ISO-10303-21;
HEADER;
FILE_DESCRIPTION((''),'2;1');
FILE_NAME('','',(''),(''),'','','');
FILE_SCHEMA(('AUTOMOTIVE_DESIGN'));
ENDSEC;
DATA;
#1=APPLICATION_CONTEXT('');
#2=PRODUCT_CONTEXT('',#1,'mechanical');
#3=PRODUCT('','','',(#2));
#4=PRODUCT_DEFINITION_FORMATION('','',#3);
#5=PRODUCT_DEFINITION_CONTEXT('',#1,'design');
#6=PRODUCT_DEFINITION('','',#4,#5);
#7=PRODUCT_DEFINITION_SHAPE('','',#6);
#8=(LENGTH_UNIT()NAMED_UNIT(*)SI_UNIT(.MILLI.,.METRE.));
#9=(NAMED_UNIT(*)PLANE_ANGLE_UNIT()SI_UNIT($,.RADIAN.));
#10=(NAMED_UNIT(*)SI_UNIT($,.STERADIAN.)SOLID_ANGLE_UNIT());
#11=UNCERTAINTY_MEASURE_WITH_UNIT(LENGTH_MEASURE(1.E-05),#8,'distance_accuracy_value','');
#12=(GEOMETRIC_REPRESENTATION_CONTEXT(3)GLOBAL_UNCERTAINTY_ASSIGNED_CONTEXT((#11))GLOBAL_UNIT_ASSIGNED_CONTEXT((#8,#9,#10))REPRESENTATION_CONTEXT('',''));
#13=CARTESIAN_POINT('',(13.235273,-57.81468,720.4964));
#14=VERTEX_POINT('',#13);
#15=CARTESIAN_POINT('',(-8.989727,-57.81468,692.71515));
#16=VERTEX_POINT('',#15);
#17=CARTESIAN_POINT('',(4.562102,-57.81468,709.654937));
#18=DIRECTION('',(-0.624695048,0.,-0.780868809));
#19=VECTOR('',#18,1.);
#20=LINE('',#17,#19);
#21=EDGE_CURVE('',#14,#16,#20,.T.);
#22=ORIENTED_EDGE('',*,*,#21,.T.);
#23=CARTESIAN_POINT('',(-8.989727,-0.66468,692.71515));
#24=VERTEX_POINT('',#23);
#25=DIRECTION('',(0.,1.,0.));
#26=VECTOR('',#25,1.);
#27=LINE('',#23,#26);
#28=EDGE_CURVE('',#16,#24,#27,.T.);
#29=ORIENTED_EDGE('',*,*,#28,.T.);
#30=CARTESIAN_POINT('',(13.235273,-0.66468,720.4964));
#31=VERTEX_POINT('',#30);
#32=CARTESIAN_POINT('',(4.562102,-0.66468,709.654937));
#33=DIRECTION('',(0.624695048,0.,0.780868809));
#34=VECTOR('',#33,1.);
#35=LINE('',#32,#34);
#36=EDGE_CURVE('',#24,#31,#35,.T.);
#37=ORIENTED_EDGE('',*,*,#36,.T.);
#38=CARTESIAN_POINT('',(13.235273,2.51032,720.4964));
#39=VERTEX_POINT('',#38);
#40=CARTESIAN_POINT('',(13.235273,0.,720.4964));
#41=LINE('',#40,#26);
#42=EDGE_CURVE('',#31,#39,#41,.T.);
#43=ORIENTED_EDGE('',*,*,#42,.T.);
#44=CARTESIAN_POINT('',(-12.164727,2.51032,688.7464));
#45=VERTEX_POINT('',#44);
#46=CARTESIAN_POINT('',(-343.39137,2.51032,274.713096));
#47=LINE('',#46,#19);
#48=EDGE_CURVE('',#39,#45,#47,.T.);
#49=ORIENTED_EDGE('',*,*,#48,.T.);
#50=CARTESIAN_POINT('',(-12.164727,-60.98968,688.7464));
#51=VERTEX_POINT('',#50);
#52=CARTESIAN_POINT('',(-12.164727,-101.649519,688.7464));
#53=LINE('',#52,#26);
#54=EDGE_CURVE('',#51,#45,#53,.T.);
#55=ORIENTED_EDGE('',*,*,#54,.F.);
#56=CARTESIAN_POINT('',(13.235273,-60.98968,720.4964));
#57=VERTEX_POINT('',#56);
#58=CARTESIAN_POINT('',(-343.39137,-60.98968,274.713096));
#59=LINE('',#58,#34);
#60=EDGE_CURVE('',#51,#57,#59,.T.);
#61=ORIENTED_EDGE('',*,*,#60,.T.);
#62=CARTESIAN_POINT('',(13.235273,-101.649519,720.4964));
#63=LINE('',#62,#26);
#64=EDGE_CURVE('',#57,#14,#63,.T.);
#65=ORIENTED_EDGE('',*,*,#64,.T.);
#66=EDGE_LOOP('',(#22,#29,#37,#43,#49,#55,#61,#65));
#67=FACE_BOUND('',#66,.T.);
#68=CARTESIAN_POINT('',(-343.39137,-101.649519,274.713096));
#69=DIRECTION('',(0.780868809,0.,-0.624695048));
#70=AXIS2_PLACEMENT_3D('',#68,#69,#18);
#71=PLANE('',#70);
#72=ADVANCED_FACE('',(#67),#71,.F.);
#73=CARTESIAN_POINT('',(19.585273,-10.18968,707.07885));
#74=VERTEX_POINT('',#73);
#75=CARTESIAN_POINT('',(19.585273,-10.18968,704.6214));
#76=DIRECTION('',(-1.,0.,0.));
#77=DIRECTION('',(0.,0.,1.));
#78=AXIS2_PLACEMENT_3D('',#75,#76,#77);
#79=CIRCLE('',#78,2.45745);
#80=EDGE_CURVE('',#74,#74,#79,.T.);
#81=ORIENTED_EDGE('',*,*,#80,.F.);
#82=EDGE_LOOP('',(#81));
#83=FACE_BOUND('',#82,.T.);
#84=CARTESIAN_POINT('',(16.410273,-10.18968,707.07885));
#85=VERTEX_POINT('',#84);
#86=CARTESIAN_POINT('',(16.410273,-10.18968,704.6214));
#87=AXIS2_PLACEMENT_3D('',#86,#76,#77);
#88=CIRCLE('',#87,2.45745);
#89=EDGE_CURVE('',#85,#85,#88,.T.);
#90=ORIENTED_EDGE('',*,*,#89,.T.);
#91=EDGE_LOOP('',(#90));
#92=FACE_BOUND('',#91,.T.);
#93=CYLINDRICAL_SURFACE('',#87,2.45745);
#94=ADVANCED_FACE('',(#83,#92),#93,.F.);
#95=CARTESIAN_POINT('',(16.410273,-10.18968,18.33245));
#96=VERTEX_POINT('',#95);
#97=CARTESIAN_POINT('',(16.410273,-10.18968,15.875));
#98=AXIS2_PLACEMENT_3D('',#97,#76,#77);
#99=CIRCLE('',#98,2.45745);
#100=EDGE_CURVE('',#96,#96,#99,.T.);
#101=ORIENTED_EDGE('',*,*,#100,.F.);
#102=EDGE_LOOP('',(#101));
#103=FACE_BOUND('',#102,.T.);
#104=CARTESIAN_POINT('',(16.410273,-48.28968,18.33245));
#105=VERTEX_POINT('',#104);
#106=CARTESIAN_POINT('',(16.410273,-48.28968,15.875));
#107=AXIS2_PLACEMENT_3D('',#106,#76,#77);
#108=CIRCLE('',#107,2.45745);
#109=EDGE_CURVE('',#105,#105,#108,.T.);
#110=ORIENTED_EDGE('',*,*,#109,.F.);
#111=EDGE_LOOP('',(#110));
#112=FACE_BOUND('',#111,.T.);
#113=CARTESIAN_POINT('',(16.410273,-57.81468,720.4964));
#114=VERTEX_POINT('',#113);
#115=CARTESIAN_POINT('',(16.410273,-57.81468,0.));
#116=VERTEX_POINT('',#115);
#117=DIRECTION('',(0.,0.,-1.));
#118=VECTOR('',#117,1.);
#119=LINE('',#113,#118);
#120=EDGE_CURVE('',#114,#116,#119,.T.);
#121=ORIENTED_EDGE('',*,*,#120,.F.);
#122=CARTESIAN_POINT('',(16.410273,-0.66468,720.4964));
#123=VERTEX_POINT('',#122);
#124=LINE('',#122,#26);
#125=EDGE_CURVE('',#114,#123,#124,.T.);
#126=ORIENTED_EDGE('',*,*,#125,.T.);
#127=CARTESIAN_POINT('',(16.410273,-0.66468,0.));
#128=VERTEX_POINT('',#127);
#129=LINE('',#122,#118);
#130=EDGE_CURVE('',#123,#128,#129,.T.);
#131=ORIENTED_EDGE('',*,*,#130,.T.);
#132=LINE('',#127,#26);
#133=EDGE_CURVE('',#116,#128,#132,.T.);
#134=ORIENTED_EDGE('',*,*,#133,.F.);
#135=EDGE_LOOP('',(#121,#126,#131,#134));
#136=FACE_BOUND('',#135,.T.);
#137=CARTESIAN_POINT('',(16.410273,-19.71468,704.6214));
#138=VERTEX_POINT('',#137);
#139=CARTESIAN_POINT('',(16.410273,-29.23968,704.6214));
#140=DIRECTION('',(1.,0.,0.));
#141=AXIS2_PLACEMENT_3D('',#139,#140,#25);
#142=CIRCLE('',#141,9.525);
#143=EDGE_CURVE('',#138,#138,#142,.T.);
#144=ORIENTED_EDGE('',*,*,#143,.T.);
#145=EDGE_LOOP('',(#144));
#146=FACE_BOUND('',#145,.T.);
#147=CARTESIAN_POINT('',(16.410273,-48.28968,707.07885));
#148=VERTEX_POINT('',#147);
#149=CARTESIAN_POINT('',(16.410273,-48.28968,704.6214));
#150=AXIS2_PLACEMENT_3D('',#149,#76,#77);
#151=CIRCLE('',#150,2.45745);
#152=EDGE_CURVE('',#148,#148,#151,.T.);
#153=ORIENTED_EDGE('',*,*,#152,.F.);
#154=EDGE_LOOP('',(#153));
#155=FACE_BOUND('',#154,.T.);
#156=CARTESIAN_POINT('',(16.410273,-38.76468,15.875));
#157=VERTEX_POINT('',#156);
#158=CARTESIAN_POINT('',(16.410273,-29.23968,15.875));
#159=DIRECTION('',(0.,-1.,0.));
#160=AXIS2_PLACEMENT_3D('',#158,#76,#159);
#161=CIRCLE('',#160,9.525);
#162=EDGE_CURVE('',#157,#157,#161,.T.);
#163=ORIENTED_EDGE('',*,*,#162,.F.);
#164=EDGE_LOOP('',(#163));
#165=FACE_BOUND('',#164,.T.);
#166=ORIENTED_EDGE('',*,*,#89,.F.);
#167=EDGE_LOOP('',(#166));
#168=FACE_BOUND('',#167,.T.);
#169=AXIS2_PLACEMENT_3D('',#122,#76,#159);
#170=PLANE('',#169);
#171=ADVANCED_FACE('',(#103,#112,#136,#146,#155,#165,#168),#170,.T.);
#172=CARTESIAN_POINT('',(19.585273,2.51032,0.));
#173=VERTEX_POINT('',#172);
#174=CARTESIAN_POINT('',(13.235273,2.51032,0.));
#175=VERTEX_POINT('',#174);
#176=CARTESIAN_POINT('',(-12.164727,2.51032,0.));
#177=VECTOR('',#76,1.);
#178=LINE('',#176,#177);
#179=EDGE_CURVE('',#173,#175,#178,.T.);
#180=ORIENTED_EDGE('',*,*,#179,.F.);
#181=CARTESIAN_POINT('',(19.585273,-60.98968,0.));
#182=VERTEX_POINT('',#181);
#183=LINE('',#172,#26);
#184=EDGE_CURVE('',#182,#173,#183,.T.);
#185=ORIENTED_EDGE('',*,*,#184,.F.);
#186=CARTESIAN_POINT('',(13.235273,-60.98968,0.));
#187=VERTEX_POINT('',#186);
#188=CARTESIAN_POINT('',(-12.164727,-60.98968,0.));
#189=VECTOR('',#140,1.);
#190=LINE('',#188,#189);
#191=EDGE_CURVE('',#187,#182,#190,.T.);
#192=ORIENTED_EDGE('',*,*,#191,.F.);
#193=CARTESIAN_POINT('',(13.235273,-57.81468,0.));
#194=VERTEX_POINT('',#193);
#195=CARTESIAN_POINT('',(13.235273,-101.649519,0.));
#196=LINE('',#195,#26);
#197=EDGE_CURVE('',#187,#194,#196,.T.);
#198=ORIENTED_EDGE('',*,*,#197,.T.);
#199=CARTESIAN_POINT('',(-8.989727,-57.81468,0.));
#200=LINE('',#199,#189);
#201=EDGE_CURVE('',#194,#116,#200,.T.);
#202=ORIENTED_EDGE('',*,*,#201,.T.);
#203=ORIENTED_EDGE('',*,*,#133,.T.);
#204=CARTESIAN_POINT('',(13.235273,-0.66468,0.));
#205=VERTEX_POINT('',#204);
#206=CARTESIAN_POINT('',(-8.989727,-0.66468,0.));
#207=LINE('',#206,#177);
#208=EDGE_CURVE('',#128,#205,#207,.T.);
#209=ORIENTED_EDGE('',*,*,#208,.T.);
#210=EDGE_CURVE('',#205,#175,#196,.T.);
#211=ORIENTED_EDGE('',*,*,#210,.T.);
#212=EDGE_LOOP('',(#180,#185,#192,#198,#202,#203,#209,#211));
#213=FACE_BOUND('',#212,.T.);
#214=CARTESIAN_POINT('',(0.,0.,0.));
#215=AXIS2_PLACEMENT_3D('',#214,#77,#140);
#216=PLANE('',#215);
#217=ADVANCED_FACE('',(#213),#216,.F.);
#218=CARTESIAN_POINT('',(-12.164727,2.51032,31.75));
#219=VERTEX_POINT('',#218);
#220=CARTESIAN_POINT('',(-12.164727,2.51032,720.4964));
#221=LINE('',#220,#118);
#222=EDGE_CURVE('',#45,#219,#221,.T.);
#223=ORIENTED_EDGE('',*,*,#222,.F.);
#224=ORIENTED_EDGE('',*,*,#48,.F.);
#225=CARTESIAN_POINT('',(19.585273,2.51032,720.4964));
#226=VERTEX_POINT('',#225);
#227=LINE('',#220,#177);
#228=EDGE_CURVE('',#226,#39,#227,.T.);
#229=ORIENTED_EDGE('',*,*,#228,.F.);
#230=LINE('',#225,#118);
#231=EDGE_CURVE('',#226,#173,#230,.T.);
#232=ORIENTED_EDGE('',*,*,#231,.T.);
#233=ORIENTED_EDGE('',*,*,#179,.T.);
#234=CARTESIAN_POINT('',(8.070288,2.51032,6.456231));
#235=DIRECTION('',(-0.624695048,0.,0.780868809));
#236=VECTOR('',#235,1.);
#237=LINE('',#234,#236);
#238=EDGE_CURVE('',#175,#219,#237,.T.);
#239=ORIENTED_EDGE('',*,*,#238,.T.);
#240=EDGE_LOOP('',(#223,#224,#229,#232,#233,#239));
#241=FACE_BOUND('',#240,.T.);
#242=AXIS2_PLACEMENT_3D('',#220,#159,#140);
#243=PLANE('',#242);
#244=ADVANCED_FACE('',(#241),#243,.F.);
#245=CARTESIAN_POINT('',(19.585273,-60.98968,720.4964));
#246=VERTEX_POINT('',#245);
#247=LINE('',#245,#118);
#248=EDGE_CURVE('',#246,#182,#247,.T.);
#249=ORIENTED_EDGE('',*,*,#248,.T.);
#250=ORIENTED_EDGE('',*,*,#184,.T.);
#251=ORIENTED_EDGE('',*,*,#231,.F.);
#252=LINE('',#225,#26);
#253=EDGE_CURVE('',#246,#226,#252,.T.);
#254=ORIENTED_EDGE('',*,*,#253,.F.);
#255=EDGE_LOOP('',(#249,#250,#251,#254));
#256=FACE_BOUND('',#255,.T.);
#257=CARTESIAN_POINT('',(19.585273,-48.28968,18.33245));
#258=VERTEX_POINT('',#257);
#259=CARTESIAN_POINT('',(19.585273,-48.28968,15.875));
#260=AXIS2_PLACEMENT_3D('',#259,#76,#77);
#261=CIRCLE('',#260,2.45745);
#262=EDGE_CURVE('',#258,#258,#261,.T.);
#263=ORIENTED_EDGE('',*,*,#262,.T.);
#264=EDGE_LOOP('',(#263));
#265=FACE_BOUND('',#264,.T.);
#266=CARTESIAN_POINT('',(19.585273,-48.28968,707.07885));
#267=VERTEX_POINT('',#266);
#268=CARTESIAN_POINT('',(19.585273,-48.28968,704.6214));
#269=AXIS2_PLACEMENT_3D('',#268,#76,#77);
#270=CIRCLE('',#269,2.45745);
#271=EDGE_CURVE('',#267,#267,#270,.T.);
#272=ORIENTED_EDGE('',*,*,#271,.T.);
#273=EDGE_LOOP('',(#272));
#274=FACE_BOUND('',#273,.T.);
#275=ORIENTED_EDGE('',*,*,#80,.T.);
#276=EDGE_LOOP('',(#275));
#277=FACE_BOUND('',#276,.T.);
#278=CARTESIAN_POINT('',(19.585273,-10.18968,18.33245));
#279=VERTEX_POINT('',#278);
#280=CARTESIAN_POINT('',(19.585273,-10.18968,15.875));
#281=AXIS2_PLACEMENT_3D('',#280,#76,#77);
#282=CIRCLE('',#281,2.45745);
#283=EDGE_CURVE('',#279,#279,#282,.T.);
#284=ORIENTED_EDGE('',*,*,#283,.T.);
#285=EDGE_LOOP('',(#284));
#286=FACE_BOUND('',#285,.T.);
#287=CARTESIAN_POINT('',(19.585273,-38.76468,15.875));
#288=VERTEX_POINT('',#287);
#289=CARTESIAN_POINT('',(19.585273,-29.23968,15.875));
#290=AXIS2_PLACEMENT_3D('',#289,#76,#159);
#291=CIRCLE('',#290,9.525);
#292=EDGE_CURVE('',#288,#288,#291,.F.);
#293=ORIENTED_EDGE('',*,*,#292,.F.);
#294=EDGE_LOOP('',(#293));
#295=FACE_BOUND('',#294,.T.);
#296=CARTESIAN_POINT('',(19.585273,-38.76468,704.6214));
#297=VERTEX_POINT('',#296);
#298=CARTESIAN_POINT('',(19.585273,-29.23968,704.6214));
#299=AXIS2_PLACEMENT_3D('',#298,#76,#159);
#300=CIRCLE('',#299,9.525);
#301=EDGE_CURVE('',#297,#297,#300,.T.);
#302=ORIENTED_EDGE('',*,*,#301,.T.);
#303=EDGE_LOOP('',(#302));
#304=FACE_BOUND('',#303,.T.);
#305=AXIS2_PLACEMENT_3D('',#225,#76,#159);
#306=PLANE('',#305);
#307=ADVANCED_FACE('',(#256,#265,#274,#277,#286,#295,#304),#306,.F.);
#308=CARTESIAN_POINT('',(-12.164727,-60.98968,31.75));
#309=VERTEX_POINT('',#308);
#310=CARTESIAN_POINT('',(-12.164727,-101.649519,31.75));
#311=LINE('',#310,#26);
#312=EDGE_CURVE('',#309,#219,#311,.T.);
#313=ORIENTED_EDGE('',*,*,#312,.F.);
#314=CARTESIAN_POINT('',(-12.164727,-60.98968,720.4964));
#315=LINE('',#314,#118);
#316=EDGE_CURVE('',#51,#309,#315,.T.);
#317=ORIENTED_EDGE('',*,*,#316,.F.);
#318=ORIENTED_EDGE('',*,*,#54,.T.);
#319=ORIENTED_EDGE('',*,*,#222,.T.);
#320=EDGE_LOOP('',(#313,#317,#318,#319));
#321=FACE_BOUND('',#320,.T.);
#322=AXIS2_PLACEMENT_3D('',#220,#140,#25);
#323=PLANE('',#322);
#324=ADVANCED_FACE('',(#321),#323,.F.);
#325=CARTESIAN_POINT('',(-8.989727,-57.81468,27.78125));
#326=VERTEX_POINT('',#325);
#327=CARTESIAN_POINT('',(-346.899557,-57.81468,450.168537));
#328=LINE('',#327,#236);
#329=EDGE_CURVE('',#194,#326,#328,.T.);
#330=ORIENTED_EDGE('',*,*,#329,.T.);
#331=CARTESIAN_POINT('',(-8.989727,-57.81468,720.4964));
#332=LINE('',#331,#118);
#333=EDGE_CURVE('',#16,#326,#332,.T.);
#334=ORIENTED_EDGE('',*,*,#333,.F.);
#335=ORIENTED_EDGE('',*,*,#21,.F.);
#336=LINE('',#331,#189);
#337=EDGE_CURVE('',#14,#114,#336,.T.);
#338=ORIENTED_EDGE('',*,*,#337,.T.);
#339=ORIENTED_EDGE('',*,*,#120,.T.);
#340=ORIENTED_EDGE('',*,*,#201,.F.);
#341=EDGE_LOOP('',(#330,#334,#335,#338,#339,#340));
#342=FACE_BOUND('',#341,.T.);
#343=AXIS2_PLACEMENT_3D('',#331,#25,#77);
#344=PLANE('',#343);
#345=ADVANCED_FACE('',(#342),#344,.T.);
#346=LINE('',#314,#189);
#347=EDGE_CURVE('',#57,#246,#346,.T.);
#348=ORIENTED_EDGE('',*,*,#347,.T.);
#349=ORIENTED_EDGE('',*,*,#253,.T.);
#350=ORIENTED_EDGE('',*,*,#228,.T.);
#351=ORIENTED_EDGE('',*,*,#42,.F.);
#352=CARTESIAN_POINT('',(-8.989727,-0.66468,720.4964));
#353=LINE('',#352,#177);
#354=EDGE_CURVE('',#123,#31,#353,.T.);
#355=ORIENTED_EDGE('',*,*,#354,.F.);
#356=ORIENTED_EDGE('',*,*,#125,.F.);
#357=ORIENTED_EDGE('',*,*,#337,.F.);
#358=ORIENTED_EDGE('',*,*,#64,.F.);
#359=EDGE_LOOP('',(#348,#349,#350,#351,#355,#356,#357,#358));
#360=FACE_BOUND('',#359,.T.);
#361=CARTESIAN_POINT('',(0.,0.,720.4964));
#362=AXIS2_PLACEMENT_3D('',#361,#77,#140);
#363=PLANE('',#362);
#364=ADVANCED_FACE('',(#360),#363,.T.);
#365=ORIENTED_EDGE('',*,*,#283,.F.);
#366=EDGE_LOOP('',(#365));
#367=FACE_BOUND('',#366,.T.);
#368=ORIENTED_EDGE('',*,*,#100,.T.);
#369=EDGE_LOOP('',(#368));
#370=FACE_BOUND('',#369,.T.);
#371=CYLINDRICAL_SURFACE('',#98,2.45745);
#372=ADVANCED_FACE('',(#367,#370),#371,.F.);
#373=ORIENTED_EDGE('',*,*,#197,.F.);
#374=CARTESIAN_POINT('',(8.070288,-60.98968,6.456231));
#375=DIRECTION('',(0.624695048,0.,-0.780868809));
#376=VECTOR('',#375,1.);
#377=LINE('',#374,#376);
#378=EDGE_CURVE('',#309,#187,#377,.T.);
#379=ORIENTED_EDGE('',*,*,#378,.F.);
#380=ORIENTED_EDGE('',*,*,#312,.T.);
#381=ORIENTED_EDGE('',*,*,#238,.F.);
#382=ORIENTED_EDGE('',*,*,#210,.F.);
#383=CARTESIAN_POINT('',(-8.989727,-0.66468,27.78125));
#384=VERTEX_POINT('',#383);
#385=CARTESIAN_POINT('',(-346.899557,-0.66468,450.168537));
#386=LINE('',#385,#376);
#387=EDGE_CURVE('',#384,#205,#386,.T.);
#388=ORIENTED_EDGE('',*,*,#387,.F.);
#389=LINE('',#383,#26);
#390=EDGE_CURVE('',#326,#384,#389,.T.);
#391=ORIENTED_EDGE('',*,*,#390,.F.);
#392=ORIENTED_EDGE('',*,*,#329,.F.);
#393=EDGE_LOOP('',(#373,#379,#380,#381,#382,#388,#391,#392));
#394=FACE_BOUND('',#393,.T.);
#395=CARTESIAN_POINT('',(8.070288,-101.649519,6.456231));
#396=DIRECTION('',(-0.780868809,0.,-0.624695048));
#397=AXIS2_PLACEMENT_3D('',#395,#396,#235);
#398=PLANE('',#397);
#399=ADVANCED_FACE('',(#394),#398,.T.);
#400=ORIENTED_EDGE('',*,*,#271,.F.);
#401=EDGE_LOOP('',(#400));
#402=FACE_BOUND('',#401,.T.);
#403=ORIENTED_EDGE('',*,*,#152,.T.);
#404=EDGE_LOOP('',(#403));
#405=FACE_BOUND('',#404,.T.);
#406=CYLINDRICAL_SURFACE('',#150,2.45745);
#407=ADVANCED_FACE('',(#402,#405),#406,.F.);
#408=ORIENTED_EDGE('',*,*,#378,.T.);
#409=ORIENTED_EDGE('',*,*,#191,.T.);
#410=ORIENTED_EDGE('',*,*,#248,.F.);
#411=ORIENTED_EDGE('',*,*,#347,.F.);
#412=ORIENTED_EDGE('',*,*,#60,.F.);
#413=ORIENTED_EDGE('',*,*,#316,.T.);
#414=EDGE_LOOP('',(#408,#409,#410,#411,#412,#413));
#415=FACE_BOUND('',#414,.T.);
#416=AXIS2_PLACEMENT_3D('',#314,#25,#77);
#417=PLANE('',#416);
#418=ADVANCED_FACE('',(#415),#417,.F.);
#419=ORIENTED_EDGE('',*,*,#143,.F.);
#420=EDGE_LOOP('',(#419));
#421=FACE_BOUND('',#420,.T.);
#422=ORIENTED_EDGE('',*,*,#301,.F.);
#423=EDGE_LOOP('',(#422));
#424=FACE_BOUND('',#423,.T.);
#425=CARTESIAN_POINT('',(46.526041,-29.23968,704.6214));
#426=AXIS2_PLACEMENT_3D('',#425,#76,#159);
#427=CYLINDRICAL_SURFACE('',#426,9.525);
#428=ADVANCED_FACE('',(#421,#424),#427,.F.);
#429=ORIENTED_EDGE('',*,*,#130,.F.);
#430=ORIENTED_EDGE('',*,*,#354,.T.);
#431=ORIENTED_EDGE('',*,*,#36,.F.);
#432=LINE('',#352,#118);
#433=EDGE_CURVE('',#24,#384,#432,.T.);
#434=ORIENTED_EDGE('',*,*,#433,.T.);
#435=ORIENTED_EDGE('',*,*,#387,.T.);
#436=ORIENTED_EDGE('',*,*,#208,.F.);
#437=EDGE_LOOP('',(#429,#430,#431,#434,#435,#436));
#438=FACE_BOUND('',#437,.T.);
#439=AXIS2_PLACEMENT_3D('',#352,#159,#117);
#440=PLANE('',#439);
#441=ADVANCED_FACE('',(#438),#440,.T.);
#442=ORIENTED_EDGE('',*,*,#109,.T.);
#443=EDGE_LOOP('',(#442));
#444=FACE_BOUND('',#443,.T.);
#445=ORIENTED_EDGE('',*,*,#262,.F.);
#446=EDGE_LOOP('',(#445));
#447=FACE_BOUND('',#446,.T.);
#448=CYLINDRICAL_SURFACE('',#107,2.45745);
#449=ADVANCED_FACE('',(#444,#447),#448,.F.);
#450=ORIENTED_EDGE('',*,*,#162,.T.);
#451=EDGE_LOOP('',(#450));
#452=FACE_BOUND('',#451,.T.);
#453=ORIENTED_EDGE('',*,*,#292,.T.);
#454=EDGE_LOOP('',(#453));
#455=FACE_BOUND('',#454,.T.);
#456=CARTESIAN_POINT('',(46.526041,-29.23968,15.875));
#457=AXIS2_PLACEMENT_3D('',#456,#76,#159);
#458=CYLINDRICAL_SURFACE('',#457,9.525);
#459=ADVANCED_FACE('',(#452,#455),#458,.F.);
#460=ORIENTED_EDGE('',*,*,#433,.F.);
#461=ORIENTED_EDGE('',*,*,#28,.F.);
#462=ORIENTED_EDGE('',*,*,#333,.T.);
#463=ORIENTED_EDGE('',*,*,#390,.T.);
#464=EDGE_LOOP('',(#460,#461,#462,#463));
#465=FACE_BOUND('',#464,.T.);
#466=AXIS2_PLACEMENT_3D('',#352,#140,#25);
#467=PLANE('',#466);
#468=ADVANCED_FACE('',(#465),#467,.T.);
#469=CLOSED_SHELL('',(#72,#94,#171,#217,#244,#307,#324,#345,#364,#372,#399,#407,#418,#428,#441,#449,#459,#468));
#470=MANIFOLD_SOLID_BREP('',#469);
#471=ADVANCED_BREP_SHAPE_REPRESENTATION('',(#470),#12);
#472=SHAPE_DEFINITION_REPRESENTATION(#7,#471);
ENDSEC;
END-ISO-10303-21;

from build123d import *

# Parameters (mm, degrees)
SKETCH1_W                    = 31.75
SKETCH1_H                    = 63.5
SKETCH1_W_2                  = 25.4
SKETCH1_H_2                  = 57.15
BOSS_EXTRUDE1_DEPTH          = 720.4964
CUT_EXTRUDE1_REACH           = 725.554
F_10_0_1935_DIAMETER_HOLE1_D = 4.9149
SKETCH3_R                    = 9.525
CUT_EXTRUDE2_DEPTH           = 3.175


with BuildPart() as part:
    # Sketch1 → Boss-Extrude1 (new body)
    with BuildSketch(Plane.XY):
        with Locations((3.710272719, -29.23968021)):
            Rectangle(SKETCH1_W, SKETCH1_H)
        with Locations((3.710272719, -29.23968021)):
            Rectangle(SKETCH1_W_2, SKETCH1_H_2, mode=Mode.SUBTRACT)
    extrude(amount=BOSS_EXTRUDE1_DEPTH)

    # Cut-Extrude1: up to this face of the body (flat: up to its plane)
    cut_extrude1_end = Plane(part.part.faces().sort_by_distance((3.710272719, -60.98968021, 360.2482))[0])
    # Sketch2 → Cut-Extrude1 (cut, up to the picked face)
    with BuildSketch(Plane(origin=(0, 2.51031979, 0), x_dir=(1, 0, 0), z_dir=(0, 1, 0)), mode=Mode.PRIVATE) as cut_extrude1_sk1:
        Polygon((-12.164727281, -31.75), (13.235272719, 0), (-12.164727281, 0), align=None)
    cut_extrude1_tool1 = split(extrude(cut_extrude1_sk1.sketch, amount=-CUT_EXTRUDE1_REACH, mode=Mode.PRIVATE), bisect_by=cut_extrude1_end, keep=Keep.BOTH, mode=Mode.PRIVATE)
    # Sketch2 → Cut-Extrude1 (cut, up to the picked face)
    with BuildSketch(Plane(origin=(0, 2.51031979, 0), x_dir=(1, 0, 0), z_dir=(0, 1, 0)), mode=Mode.PRIVATE) as cut_extrude1_sk2:
        Polygon((13.235272719, -720.4964), (-12.164727281, -688.7464), (-12.164727281, -720.4964), align=None)
    cut_extrude1_tool2 = split(extrude(cut_extrude1_sk2.sketch, amount=-CUT_EXTRUDE1_REACH, mode=Mode.PRIVATE), bisect_by=cut_extrude1_end, keep=Keep.BOTH, mode=Mode.PRIVATE)
    add(cut_extrude1_tool1.solids().sort_by(Axis((-3.698061, 2.51032, 10.583333), (0, -1, 0)))[0], mode=Mode.SUBTRACT)
    add(cut_extrude1_tool2.solids().sort_by(Axis((-3.698061, 2.51032, 709.913067), (0, -1, 0)))[0], mode=Mode.SUBTRACT)

    # #10 (0.1935) Diameter Hole1 (through all)
    with Locations(Plane(origin=(16.410272719, -10.18968021, 15.875), x_dir=(0, -1, 0), z_dir=(-1, 0, 0))):
        with Locations((0, 0), (38.1, 0), (0, 688.7464), (38.1, 688.7464)):
            Hole(F_10_0_1935_DIAMETER_HOLE1_D / 2)

    # Sketch3 → Cut-Extrude2 (cut)
    with BuildSketch(Plane.ZY.offset(-16.410272719)):
        with Locations(Location((15.875, -29.23968021, 0), (0, 0, 270))):
            Circle(SKETCH3_R)
        with Locations(Location((704.6214, -29.23968021, 0), (0, 0, 270))):
            Circle(SKETCH3_R)
    extrude(amount=-CUT_EXTRUDE2_DEPTH, mode=Mode.SUBTRACT)


solid = part.part
